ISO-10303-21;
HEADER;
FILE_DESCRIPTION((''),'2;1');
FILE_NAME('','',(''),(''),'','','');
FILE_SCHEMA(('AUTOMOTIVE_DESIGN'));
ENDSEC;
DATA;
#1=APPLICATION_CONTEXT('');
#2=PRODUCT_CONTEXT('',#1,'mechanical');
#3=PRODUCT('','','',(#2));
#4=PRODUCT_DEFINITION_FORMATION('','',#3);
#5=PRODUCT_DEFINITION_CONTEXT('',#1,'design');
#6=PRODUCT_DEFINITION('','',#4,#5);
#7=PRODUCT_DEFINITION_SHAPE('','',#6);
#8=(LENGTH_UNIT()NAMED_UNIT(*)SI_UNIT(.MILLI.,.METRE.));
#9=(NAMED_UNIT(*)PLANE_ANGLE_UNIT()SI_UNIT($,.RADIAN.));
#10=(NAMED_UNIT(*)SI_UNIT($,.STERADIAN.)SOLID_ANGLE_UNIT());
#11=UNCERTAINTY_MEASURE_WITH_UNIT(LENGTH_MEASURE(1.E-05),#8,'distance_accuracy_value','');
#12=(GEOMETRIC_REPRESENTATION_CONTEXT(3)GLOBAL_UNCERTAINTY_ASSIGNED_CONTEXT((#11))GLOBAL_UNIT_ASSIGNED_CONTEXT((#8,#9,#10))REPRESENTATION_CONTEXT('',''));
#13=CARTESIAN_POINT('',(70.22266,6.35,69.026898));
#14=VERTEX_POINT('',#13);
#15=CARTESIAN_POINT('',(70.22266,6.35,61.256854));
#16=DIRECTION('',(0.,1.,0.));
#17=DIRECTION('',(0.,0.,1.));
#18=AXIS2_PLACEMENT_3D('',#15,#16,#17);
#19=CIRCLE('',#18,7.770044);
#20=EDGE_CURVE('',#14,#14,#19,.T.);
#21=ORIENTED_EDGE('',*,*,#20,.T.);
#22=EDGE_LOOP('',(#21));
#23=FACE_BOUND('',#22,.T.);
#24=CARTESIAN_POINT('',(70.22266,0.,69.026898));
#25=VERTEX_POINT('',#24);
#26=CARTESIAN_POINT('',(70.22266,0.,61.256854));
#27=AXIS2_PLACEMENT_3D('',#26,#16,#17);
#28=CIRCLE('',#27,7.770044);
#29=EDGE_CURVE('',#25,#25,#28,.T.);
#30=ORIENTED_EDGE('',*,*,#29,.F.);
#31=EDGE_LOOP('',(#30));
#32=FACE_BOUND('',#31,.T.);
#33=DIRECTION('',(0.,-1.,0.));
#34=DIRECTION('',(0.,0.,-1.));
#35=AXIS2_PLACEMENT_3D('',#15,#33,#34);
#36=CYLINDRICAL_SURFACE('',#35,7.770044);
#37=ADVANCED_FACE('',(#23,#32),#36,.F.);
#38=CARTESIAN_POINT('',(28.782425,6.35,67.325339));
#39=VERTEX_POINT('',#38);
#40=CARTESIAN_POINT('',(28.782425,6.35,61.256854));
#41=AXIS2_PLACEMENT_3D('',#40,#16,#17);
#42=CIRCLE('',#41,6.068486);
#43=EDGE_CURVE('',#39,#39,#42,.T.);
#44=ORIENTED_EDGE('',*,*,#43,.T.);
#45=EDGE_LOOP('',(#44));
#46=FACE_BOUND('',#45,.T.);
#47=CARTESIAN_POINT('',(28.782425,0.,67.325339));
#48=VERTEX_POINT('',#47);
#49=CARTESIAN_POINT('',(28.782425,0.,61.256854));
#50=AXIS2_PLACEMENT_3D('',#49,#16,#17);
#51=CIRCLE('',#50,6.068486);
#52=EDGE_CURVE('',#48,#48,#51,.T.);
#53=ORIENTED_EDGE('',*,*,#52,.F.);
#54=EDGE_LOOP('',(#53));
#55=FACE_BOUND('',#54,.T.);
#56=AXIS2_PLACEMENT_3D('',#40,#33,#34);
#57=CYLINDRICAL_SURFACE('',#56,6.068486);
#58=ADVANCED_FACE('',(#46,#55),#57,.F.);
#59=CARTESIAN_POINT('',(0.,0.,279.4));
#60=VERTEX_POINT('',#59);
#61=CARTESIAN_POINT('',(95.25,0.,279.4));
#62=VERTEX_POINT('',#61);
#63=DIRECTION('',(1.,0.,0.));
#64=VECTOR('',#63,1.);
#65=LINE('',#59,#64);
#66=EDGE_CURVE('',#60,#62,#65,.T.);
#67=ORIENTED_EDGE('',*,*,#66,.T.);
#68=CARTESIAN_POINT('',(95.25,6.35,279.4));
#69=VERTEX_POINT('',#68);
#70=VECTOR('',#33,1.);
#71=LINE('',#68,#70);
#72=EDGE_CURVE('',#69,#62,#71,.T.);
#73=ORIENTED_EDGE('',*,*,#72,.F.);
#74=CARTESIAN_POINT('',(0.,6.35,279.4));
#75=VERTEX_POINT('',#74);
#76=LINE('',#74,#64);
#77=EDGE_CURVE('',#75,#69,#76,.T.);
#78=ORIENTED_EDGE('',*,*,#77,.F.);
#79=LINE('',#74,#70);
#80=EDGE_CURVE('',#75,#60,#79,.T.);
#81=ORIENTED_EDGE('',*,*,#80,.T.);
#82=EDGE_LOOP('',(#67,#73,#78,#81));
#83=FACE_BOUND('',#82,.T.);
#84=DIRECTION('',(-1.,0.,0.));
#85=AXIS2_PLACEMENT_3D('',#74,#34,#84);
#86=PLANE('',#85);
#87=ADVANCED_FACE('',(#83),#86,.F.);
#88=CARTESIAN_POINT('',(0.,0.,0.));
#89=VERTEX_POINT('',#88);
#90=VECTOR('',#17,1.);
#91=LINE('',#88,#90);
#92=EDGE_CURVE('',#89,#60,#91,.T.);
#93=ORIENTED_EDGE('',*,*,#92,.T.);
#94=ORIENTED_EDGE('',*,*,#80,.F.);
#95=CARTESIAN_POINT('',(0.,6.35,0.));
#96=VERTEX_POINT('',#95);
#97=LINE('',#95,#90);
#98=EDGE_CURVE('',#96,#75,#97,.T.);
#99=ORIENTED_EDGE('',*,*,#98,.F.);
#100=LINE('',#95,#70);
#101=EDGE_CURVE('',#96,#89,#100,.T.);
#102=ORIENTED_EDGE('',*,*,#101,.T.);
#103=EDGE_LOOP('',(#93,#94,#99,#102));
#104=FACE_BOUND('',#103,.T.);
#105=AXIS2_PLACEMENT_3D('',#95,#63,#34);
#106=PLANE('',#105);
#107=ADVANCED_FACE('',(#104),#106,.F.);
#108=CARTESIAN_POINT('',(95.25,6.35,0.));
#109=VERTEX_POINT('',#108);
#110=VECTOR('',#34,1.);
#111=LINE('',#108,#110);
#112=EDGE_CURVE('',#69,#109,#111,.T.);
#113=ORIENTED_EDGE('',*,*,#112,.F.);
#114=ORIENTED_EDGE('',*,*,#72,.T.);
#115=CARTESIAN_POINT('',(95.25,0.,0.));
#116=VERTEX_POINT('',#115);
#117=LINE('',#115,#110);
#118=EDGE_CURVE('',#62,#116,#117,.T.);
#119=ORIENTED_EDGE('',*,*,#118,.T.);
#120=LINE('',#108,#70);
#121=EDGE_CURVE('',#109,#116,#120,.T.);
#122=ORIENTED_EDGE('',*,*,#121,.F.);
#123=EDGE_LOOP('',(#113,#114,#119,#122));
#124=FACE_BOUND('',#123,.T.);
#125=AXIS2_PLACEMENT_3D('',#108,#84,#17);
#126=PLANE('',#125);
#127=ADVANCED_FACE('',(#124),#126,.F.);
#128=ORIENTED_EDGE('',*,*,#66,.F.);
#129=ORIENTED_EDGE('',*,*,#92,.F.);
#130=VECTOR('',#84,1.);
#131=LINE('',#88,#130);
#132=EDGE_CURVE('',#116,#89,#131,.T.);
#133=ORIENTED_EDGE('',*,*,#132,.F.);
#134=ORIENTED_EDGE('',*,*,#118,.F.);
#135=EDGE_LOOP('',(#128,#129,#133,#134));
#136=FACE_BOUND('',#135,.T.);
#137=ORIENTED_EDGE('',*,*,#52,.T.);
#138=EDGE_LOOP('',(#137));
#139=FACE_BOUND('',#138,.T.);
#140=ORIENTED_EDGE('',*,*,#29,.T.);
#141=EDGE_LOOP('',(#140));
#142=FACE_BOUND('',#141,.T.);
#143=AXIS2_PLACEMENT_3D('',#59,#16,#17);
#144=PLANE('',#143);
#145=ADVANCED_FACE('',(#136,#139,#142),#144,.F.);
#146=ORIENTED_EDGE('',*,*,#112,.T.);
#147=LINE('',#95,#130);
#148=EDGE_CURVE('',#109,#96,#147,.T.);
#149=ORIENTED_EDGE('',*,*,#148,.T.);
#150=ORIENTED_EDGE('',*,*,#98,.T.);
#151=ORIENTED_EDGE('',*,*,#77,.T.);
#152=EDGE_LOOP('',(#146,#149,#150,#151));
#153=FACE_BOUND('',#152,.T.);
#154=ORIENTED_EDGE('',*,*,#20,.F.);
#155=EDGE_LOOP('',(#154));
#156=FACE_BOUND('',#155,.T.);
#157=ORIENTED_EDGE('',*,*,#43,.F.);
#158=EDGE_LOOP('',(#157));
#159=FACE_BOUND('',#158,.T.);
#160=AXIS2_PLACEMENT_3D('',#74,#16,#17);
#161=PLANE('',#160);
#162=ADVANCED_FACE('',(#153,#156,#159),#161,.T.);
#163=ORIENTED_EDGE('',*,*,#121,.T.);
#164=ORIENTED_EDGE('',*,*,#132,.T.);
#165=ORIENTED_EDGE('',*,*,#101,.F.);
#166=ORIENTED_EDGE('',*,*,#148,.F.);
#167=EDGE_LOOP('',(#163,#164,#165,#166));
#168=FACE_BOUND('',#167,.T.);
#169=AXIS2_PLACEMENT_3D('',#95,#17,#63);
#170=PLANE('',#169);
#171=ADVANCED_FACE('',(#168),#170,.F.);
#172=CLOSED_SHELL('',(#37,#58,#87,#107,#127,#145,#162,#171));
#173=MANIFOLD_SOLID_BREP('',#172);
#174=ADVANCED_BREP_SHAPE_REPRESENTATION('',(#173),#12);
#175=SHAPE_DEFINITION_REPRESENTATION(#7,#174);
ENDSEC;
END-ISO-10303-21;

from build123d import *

# Parameters (mm, degrees)
SKETCH1_W           = 95.25
SKETCH1_H           = 279.4
SKETCH1_R           = 6.068485617
SKETCH1_R_2         = 7.770044064
BOSS_EXTRUDE1_DEPTH = 6.35


with BuildPart() as part:
    # Sketch1 → Boss-Extrude1 (new body)
    with BuildSketch(Plane(origin=(0, 0, 0), x_dir=(1, 0, 0), z_dir=(0, 1, 0))):
        with Locations((47.625, -139.7)):
            Rectangle(SKETCH1_W, SKETCH1_H)
        with Locations(Location((28.782424521, -61.256853826, 0), (0, 0, 270))):
            Circle(SKETCH1_R, mode=Mode.SUBTRACT)
        with Locations(Location((70.222659527, -61.256853826, 0), (0, 0, 270))):
            Circle(SKETCH1_R_2, mode=Mode.SUBTRACT)
    extrude(amount=BOSS_EXTRUDE1_DEPTH)


solid = part.part
